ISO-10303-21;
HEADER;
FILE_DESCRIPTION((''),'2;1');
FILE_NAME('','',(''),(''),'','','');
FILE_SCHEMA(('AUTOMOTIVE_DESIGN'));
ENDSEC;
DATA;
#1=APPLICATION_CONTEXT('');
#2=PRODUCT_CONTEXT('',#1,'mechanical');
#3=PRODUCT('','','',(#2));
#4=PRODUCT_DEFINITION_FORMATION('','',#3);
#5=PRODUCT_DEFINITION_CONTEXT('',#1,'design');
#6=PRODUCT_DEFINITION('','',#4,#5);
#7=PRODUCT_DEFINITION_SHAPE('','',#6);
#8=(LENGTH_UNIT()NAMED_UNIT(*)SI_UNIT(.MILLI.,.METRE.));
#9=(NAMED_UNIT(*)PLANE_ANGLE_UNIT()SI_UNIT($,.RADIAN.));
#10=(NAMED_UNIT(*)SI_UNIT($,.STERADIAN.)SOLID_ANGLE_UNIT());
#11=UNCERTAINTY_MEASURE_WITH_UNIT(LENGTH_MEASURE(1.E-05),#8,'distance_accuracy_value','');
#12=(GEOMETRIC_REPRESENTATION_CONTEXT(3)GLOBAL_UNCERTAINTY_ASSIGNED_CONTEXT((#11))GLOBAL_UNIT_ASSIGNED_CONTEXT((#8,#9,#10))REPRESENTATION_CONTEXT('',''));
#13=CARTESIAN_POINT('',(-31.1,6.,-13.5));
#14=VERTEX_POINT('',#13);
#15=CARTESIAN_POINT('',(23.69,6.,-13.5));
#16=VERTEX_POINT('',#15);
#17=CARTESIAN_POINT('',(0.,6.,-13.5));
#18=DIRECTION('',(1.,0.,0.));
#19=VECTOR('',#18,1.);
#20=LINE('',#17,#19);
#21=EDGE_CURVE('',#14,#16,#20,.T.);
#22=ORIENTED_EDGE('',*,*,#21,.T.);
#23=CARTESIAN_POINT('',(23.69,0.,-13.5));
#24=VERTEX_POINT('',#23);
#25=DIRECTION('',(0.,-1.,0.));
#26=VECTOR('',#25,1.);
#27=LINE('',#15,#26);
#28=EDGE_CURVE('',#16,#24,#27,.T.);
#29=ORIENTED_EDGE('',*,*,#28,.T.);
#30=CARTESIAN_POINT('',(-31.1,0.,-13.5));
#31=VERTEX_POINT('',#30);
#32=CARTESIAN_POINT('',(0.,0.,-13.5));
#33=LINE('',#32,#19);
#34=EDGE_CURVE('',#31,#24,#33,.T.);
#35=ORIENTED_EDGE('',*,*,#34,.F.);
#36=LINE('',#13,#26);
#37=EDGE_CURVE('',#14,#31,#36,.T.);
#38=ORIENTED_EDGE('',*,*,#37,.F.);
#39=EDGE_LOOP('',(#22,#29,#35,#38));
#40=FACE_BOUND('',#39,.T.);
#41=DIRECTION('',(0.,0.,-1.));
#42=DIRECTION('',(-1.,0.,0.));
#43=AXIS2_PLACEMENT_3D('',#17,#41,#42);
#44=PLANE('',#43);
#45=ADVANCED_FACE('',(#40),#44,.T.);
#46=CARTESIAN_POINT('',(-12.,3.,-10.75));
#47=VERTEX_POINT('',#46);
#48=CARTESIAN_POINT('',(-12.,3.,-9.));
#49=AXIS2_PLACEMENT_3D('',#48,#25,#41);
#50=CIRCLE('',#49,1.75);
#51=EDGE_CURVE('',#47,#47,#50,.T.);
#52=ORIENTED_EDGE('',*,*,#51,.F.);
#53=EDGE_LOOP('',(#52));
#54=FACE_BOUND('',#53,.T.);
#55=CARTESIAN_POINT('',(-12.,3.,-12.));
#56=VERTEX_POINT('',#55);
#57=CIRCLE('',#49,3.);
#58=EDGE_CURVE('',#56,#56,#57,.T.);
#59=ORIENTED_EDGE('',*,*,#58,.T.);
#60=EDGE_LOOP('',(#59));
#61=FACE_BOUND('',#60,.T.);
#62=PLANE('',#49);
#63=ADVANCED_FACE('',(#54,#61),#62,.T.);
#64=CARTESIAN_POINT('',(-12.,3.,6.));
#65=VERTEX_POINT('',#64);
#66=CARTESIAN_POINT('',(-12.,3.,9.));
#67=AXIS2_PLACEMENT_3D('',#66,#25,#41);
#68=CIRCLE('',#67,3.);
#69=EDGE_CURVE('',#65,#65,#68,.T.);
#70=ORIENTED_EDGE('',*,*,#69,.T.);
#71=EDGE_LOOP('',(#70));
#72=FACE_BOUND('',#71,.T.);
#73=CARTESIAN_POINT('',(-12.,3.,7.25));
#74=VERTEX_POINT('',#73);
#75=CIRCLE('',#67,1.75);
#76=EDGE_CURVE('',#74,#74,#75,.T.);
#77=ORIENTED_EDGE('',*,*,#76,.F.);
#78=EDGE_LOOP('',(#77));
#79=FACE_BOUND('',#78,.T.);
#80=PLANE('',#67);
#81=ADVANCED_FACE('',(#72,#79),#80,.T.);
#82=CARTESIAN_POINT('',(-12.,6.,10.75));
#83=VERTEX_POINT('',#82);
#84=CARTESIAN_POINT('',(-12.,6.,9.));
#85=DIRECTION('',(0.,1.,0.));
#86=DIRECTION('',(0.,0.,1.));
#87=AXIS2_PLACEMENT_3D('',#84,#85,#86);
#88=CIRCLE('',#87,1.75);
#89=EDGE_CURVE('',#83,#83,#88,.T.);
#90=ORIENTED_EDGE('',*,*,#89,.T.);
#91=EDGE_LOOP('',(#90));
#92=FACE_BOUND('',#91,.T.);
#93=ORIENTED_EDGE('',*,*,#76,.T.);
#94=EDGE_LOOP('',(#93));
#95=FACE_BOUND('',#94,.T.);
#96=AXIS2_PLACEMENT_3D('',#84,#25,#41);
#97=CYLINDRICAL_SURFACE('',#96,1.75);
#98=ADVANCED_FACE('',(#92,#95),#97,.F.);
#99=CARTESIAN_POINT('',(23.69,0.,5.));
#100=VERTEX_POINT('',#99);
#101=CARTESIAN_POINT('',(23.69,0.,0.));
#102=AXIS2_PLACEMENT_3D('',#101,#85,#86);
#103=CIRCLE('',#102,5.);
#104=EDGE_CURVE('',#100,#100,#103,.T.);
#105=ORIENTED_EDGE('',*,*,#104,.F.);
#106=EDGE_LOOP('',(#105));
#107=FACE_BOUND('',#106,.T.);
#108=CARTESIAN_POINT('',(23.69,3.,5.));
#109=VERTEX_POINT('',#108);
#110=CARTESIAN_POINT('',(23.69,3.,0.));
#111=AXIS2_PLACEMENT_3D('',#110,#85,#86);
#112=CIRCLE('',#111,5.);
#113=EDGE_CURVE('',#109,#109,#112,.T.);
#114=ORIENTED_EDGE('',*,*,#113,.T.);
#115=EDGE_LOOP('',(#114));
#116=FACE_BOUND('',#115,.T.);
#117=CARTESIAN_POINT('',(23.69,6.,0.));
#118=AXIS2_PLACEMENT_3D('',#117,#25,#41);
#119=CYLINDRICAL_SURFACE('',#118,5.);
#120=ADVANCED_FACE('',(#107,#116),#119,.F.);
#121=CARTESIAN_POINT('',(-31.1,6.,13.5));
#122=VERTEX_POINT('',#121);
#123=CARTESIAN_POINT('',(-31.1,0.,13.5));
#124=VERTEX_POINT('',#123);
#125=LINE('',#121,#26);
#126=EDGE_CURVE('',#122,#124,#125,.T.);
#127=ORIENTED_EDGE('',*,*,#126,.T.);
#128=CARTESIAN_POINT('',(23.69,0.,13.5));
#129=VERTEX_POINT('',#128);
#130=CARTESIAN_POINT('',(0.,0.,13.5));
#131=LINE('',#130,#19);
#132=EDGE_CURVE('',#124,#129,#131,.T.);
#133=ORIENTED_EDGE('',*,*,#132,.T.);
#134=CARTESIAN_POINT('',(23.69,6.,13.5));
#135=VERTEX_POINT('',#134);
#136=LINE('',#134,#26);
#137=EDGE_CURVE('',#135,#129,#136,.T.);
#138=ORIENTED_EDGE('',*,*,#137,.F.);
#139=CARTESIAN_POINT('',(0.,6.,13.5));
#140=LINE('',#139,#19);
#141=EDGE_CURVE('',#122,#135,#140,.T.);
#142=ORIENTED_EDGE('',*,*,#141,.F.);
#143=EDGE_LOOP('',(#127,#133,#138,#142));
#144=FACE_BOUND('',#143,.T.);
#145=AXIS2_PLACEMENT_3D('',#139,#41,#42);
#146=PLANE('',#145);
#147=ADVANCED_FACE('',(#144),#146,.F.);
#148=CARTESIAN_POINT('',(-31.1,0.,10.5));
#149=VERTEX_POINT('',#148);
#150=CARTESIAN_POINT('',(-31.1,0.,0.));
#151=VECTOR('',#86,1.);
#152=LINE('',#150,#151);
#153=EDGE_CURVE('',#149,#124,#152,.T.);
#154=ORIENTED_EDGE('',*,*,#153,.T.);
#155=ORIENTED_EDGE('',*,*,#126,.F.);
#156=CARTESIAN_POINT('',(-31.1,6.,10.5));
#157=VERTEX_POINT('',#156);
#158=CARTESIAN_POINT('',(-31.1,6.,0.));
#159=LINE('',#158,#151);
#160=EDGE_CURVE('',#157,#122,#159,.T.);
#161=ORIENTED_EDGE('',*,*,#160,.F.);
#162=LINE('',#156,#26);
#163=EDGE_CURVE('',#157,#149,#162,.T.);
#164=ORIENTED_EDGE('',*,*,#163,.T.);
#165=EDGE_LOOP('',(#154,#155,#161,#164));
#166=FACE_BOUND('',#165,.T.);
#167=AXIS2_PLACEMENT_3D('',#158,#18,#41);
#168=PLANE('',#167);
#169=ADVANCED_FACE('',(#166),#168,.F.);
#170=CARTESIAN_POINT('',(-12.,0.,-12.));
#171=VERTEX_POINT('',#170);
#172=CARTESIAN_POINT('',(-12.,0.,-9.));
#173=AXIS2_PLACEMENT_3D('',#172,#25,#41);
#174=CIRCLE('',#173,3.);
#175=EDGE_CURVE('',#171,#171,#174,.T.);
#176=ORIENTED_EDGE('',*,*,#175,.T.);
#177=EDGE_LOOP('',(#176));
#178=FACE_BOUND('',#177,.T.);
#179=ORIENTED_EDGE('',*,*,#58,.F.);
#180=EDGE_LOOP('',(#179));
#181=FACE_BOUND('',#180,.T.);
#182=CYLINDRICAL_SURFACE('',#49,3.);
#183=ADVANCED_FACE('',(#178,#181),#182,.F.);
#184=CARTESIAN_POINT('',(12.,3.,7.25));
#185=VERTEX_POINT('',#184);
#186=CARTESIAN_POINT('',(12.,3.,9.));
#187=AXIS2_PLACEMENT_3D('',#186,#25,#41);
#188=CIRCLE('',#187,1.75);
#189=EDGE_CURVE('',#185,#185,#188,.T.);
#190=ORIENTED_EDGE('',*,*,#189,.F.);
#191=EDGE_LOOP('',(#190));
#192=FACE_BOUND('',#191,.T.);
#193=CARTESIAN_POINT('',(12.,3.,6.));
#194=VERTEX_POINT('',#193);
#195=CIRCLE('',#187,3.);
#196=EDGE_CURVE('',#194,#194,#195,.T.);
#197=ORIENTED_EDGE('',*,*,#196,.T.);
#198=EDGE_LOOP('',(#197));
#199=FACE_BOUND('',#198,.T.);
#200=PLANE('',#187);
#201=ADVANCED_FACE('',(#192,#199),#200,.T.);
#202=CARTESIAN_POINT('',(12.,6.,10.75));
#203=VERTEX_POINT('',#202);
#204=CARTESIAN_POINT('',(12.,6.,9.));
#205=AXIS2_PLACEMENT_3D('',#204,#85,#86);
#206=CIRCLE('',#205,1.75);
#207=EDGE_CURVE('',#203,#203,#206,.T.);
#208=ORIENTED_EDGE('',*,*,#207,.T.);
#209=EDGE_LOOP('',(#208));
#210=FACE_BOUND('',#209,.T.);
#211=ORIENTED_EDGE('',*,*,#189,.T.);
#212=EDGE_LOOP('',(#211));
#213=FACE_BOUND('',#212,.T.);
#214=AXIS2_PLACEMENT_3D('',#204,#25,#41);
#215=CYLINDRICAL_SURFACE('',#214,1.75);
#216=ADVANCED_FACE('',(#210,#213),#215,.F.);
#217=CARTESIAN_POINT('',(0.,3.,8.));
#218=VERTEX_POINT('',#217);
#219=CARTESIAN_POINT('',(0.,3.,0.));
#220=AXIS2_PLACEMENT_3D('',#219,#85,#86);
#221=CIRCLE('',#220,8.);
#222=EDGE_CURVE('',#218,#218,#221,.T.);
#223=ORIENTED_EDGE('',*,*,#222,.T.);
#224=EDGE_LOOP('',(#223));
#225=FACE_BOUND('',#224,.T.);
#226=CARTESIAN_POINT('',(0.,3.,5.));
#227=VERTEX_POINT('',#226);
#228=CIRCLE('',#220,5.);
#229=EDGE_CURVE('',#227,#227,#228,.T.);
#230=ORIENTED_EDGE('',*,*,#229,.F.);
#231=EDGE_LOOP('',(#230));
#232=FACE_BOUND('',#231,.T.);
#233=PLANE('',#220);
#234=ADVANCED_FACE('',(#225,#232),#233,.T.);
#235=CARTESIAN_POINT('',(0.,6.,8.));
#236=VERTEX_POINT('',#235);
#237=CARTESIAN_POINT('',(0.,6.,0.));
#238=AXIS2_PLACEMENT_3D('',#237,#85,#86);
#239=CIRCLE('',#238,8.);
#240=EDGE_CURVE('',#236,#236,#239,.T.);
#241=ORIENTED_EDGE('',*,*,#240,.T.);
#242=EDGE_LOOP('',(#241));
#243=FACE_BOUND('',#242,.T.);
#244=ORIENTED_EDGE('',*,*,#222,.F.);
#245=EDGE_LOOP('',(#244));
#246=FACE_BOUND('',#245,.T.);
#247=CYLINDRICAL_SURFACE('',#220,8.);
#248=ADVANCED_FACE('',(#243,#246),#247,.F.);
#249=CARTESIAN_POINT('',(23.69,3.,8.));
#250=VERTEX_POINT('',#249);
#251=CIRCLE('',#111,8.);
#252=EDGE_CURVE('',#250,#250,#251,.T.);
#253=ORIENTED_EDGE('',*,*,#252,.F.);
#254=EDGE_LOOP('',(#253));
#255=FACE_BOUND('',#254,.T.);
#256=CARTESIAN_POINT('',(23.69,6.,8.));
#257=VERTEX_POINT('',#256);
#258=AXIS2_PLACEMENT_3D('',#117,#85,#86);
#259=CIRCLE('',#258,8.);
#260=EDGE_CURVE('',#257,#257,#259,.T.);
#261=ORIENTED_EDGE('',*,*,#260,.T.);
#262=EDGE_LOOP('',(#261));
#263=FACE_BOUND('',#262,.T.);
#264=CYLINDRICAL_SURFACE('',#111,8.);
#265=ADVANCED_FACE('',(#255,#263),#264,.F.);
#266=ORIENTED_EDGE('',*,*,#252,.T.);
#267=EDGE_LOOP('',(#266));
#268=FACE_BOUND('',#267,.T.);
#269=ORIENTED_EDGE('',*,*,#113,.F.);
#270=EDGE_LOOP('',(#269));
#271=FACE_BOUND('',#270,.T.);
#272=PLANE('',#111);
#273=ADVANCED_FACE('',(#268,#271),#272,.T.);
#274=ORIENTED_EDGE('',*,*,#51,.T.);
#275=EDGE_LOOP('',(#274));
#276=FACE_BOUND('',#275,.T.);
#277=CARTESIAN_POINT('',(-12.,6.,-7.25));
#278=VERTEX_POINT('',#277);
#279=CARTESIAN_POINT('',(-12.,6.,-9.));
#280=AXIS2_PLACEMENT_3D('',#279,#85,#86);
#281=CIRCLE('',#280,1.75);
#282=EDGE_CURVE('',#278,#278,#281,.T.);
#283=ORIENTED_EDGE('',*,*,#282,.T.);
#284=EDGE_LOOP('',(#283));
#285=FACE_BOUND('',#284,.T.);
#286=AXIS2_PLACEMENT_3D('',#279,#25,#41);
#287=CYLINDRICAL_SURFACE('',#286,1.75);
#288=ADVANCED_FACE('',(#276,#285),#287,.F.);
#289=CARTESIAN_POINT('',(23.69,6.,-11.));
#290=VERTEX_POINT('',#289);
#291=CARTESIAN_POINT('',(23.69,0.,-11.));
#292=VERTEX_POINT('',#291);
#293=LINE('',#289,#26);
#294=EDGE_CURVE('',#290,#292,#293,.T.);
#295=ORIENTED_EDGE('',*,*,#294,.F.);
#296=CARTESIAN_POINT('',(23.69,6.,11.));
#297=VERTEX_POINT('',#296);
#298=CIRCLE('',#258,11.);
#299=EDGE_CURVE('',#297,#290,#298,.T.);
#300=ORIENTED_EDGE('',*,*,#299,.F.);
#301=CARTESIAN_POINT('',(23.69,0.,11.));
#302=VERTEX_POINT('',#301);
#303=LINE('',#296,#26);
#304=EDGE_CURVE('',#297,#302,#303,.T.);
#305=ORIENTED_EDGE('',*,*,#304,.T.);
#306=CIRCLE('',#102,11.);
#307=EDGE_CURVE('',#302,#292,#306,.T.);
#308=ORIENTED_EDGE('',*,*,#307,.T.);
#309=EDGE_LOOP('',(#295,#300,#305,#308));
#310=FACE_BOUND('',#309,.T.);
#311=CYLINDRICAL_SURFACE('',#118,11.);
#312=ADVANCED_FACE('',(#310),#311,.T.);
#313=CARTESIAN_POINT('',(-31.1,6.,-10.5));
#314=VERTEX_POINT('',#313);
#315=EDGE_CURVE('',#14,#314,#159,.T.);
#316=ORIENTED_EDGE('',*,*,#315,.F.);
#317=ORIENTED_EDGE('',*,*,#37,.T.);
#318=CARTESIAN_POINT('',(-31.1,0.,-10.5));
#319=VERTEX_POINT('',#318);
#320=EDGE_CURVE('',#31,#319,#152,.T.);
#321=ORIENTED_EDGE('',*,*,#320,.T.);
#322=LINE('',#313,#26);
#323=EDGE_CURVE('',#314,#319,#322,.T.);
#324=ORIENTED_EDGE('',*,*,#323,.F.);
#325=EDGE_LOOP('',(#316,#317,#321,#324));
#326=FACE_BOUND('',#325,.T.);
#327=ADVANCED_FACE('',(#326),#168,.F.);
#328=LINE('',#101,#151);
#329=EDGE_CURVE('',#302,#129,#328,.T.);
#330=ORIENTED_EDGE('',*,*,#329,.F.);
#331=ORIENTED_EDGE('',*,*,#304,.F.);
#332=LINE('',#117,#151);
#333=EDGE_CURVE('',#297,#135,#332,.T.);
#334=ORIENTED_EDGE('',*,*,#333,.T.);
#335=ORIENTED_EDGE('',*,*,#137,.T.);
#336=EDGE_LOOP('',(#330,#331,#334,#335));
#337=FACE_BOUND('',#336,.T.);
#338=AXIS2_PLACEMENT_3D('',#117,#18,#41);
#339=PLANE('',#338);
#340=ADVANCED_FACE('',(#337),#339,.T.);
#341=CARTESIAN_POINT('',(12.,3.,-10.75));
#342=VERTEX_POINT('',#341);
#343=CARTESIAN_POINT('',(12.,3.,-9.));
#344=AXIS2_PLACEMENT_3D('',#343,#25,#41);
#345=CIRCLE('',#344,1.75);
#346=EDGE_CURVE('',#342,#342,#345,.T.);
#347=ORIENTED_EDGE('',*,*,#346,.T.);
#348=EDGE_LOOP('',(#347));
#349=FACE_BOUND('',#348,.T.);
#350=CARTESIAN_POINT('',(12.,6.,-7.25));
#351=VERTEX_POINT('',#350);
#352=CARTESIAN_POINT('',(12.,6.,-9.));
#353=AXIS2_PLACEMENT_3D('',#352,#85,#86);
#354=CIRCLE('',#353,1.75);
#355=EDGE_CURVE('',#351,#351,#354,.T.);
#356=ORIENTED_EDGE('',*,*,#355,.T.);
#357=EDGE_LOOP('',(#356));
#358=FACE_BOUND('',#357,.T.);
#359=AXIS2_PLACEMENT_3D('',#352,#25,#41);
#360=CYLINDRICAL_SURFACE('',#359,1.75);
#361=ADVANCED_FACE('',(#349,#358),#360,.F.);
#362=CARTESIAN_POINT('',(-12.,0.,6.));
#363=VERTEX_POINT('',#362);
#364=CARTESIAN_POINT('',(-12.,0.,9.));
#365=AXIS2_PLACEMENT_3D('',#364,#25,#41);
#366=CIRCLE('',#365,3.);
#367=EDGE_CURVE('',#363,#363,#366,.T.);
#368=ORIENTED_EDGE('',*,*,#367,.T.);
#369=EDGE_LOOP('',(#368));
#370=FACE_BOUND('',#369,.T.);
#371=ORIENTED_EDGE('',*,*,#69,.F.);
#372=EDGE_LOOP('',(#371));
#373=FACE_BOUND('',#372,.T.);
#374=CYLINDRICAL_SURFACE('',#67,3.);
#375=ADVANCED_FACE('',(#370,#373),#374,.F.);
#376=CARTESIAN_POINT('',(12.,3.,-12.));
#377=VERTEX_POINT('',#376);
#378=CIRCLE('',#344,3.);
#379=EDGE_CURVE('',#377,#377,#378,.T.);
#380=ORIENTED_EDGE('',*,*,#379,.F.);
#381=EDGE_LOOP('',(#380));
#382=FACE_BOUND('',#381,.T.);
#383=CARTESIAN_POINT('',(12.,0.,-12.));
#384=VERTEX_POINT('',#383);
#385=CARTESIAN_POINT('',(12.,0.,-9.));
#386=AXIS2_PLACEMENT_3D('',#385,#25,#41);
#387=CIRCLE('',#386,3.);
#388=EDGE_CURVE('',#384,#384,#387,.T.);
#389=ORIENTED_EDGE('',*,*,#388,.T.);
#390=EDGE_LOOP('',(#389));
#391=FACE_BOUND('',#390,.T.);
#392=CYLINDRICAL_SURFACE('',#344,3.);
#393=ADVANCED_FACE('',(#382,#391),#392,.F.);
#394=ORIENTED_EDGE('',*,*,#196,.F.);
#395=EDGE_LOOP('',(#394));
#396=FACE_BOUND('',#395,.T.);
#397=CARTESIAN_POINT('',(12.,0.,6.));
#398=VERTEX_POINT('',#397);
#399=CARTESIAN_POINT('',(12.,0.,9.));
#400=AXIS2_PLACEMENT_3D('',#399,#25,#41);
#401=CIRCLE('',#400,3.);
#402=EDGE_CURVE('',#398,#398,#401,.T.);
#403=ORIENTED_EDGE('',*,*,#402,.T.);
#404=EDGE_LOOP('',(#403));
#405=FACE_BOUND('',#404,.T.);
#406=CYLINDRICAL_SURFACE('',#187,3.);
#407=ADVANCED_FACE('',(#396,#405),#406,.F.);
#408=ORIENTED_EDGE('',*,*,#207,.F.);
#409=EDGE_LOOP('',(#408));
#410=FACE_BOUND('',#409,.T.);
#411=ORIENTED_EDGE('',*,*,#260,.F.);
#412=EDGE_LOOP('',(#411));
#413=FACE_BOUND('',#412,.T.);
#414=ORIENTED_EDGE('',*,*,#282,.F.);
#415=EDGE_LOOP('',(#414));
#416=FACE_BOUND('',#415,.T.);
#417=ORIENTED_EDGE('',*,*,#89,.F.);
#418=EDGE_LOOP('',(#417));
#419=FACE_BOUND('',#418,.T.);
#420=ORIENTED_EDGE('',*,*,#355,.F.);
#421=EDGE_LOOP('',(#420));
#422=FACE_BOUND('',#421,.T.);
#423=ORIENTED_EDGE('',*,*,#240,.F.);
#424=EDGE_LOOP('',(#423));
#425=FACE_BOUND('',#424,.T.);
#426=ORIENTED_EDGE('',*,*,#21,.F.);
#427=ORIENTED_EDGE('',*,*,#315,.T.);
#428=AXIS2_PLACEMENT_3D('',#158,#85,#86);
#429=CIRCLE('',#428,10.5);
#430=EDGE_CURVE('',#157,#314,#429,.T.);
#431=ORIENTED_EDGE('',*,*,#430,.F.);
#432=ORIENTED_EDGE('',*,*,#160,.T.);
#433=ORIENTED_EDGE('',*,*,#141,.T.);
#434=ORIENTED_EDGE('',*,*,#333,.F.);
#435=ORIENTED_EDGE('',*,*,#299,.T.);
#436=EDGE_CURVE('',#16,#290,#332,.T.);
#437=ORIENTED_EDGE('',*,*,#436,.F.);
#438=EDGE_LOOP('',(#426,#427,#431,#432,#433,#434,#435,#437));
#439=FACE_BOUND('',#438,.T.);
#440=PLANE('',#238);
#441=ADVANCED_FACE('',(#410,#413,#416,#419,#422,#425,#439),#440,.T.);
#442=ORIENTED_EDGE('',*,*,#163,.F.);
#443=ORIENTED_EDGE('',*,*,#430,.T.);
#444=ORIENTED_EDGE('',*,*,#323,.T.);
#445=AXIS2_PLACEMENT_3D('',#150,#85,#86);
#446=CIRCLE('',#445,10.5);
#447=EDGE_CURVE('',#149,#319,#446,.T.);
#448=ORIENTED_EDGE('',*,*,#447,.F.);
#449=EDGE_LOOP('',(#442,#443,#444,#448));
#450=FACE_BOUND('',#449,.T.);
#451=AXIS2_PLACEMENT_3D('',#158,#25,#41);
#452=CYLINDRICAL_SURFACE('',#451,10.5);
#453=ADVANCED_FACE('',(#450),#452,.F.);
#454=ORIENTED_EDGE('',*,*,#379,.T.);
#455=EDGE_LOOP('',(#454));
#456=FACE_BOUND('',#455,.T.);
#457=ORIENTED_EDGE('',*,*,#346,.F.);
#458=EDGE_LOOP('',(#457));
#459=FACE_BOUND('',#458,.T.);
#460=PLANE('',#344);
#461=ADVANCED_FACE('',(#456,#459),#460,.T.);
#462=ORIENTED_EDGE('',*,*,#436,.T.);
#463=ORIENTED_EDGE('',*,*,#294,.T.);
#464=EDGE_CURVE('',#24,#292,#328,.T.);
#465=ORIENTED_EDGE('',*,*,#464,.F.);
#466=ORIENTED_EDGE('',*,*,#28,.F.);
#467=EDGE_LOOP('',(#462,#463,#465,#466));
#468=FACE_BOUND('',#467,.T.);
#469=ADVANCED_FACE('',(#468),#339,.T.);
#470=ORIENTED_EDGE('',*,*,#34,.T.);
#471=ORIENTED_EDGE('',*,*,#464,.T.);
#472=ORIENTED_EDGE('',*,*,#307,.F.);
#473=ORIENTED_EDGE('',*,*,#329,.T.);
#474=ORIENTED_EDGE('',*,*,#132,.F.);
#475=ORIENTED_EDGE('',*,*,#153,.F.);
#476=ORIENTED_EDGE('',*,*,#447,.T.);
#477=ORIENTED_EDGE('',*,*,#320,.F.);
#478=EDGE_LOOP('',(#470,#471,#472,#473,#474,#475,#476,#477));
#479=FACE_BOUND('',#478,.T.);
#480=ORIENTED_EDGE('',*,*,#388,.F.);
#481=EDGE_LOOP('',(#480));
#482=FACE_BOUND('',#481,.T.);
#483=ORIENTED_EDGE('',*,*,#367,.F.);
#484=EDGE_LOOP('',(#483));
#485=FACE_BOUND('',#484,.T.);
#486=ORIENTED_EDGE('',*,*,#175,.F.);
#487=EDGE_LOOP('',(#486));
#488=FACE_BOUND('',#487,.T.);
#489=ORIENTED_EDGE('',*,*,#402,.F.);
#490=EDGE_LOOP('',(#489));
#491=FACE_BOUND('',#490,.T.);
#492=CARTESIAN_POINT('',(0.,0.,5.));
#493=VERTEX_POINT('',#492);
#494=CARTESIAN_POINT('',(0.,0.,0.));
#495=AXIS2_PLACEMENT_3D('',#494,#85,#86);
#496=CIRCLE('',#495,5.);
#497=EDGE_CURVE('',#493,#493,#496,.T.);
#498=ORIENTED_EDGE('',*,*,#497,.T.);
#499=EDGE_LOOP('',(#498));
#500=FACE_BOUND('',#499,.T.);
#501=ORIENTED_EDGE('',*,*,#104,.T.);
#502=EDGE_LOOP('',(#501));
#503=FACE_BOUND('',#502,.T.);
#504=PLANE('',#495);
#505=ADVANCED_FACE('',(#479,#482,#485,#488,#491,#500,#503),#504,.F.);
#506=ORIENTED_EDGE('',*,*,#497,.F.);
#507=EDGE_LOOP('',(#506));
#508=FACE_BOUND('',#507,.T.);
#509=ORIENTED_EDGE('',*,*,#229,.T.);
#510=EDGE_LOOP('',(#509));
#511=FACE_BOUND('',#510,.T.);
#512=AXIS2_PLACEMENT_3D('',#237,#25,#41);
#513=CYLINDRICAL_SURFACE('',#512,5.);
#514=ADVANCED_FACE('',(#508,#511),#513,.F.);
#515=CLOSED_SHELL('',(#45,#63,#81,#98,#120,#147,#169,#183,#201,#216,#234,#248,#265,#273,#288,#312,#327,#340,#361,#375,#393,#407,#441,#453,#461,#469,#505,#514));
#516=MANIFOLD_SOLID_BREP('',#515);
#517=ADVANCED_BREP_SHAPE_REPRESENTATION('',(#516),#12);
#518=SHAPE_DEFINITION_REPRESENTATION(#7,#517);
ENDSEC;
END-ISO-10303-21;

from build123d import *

# Parameters (mm, degrees)
SKETCH1_R           = 1.75
SKETCH1_R_2         = 5
BOSS_EXTRUDE1_DEPTH = 6
SKETCH2_R           = 3
SKETCH2_R_2         = 1.75
CUT_EXTRUDE1_DEPTH  = 3
CUT_EXTRUDE2_START  = -3
SKETCH3_R           = 8
SKETCH3_R_2         = 5
CUT_EXTRUDE2_DEPTH  = 3


with BuildPart() as part:
    # Sketch1 → Boss-Extrude1 (new body)
    with BuildSketch(Plane(origin=(0, 0, 0), x_dir=(1, 0, 0), z_dir=(0, 1, 0))):
        with BuildLine():
            Line((23.69, 13.5), (-31.1, 13.5))
            Line((-31.1, 13.5), (-31.1, 10.5))
            ThreePointArc((-31.1, 10.5), (-20.6, 0), (-31.1, -10.5))
            Line((-31.1, -10.5), (-31.1, -13.5))
            Line((-31.1, -13.5), (23.69, -13.5))
            Line((23.69, -13.5), (23.69, -11))
            ThreePointArc((23.69, -11), (34.69, 0), (23.69, 11))
            Line((23.69, 11), (23.69, 13.5))
        make_face()
        with Locations(Location((-12, -9, 0), (0, 0, 270))):
            Circle(SKETCH1_R, mode=Mode.SUBTRACT)
        with Locations(Location((12, -9, 0), (0, 0, 270))):
            Circle(SKETCH1_R, mode=Mode.SUBTRACT)
        with Locations(Location((-12, 9, 0), (0, 0, 270))):
            Circle(SKETCH1_R, mode=Mode.SUBTRACT)
        with Locations(Location((0, 0, 0), (0, 0, 270))):
            Circle(SKETCH1_R_2, mode=Mode.SUBTRACT)
        with Locations(Location((12, 9, 0), (0, 0, 270))):
            Circle(SKETCH1_R, mode=Mode.SUBTRACT)
        with Locations(Location((23.69, 0, 0), (0, 0, 270))):
            Circle(SKETCH1_R_2, mode=Mode.SUBTRACT)
    extrude(amount=BOSS_EXTRUDE1_DEPTH)

    # Sketch2 → Cut-Extrude1 (cut)
    # profile 1 of 4: a face of its own
    with BuildSketch(Plane.XZ):
        with Locations(Location((-12, -9, 0), (0, 0, 270))):
            Circle(SKETCH2_R)
        with Locations(Location((-12, -9, 0), (0, 0, 270))):
            Circle(SKETCH2_R_2, mode=Mode.SUBTRACT)
    # profile 2 of 4: a face of its own
    with BuildSketch(Plane.XZ):
        with Locations(Location((-12, 9, 0), (0, 0, 270))):
            Circle(SKETCH2_R)
        with Locations(Location((-12, 9, 0), (0, 0, 270))):
            Circle(SKETCH2_R_2, mode=Mode.SUBTRACT)
    # profile 3 of 4: a face of its own
    with BuildSketch(Plane.XZ):
        with Locations(Location((12, 9, 0), (0, 0, 270))):
            Circle(SKETCH2_R)
        with Locations(Location((12, 9, 0), (0, 0, 270))):
            Circle(SKETCH2_R_2, mode=Mode.SUBTRACT)
    # profile 4 of 4: a face of its own
    with BuildSketch(Plane.XZ):
        with Locations(Location((12, -9, 0), (0, 0, 270))):
            Circle(SKETCH2_R)
        with Locations(Location((12, -9, 0), (0, 0, 270))):
            Circle(SKETCH2_R_2, mode=Mode.SUBTRACT)
    extrude(amount=-CUT_EXTRUDE1_DEPTH, mode=Mode.SUBTRACT)

    # Sketch3 → Cut-Extrude2 (cut)
    # profile 1 of 2: a face of its own
    with BuildSketch(Plane(origin=(0, 6, 0), x_dir=(1, 0, 0), z_dir=(0, 1, 0)).offset(CUT_EXTRUDE2_START)):
        with Locations(Location((0, 0, 0), (0, 0, 270))):
            Circle(SKETCH3_R)
        with Locations(Location((0, 0, 0), (0, 0, 270))):
            Circle(SKETCH3_R_2, mode=Mode.SUBTRACT)
    # profile 2 of 2: a face of its own
    with BuildSketch(Plane(origin=(0, 6, 0), x_dir=(1, 0, 0), z_dir=(0, 1, 0)).offset(CUT_EXTRUDE2_START)):
        with Locations(Location((23.69, 0, 0), (0, 0, 270))):
            Circle(SKETCH3_R)
        with Locations(Location((23.69, 0, 0), (0, 0, 270))):
            Circle(SKETCH3_R_2, mode=Mode.SUBTRACT)
    extrude(amount=CUT_EXTRUDE2_DEPTH, mode=Mode.SUBTRACT)


solid = part.part
